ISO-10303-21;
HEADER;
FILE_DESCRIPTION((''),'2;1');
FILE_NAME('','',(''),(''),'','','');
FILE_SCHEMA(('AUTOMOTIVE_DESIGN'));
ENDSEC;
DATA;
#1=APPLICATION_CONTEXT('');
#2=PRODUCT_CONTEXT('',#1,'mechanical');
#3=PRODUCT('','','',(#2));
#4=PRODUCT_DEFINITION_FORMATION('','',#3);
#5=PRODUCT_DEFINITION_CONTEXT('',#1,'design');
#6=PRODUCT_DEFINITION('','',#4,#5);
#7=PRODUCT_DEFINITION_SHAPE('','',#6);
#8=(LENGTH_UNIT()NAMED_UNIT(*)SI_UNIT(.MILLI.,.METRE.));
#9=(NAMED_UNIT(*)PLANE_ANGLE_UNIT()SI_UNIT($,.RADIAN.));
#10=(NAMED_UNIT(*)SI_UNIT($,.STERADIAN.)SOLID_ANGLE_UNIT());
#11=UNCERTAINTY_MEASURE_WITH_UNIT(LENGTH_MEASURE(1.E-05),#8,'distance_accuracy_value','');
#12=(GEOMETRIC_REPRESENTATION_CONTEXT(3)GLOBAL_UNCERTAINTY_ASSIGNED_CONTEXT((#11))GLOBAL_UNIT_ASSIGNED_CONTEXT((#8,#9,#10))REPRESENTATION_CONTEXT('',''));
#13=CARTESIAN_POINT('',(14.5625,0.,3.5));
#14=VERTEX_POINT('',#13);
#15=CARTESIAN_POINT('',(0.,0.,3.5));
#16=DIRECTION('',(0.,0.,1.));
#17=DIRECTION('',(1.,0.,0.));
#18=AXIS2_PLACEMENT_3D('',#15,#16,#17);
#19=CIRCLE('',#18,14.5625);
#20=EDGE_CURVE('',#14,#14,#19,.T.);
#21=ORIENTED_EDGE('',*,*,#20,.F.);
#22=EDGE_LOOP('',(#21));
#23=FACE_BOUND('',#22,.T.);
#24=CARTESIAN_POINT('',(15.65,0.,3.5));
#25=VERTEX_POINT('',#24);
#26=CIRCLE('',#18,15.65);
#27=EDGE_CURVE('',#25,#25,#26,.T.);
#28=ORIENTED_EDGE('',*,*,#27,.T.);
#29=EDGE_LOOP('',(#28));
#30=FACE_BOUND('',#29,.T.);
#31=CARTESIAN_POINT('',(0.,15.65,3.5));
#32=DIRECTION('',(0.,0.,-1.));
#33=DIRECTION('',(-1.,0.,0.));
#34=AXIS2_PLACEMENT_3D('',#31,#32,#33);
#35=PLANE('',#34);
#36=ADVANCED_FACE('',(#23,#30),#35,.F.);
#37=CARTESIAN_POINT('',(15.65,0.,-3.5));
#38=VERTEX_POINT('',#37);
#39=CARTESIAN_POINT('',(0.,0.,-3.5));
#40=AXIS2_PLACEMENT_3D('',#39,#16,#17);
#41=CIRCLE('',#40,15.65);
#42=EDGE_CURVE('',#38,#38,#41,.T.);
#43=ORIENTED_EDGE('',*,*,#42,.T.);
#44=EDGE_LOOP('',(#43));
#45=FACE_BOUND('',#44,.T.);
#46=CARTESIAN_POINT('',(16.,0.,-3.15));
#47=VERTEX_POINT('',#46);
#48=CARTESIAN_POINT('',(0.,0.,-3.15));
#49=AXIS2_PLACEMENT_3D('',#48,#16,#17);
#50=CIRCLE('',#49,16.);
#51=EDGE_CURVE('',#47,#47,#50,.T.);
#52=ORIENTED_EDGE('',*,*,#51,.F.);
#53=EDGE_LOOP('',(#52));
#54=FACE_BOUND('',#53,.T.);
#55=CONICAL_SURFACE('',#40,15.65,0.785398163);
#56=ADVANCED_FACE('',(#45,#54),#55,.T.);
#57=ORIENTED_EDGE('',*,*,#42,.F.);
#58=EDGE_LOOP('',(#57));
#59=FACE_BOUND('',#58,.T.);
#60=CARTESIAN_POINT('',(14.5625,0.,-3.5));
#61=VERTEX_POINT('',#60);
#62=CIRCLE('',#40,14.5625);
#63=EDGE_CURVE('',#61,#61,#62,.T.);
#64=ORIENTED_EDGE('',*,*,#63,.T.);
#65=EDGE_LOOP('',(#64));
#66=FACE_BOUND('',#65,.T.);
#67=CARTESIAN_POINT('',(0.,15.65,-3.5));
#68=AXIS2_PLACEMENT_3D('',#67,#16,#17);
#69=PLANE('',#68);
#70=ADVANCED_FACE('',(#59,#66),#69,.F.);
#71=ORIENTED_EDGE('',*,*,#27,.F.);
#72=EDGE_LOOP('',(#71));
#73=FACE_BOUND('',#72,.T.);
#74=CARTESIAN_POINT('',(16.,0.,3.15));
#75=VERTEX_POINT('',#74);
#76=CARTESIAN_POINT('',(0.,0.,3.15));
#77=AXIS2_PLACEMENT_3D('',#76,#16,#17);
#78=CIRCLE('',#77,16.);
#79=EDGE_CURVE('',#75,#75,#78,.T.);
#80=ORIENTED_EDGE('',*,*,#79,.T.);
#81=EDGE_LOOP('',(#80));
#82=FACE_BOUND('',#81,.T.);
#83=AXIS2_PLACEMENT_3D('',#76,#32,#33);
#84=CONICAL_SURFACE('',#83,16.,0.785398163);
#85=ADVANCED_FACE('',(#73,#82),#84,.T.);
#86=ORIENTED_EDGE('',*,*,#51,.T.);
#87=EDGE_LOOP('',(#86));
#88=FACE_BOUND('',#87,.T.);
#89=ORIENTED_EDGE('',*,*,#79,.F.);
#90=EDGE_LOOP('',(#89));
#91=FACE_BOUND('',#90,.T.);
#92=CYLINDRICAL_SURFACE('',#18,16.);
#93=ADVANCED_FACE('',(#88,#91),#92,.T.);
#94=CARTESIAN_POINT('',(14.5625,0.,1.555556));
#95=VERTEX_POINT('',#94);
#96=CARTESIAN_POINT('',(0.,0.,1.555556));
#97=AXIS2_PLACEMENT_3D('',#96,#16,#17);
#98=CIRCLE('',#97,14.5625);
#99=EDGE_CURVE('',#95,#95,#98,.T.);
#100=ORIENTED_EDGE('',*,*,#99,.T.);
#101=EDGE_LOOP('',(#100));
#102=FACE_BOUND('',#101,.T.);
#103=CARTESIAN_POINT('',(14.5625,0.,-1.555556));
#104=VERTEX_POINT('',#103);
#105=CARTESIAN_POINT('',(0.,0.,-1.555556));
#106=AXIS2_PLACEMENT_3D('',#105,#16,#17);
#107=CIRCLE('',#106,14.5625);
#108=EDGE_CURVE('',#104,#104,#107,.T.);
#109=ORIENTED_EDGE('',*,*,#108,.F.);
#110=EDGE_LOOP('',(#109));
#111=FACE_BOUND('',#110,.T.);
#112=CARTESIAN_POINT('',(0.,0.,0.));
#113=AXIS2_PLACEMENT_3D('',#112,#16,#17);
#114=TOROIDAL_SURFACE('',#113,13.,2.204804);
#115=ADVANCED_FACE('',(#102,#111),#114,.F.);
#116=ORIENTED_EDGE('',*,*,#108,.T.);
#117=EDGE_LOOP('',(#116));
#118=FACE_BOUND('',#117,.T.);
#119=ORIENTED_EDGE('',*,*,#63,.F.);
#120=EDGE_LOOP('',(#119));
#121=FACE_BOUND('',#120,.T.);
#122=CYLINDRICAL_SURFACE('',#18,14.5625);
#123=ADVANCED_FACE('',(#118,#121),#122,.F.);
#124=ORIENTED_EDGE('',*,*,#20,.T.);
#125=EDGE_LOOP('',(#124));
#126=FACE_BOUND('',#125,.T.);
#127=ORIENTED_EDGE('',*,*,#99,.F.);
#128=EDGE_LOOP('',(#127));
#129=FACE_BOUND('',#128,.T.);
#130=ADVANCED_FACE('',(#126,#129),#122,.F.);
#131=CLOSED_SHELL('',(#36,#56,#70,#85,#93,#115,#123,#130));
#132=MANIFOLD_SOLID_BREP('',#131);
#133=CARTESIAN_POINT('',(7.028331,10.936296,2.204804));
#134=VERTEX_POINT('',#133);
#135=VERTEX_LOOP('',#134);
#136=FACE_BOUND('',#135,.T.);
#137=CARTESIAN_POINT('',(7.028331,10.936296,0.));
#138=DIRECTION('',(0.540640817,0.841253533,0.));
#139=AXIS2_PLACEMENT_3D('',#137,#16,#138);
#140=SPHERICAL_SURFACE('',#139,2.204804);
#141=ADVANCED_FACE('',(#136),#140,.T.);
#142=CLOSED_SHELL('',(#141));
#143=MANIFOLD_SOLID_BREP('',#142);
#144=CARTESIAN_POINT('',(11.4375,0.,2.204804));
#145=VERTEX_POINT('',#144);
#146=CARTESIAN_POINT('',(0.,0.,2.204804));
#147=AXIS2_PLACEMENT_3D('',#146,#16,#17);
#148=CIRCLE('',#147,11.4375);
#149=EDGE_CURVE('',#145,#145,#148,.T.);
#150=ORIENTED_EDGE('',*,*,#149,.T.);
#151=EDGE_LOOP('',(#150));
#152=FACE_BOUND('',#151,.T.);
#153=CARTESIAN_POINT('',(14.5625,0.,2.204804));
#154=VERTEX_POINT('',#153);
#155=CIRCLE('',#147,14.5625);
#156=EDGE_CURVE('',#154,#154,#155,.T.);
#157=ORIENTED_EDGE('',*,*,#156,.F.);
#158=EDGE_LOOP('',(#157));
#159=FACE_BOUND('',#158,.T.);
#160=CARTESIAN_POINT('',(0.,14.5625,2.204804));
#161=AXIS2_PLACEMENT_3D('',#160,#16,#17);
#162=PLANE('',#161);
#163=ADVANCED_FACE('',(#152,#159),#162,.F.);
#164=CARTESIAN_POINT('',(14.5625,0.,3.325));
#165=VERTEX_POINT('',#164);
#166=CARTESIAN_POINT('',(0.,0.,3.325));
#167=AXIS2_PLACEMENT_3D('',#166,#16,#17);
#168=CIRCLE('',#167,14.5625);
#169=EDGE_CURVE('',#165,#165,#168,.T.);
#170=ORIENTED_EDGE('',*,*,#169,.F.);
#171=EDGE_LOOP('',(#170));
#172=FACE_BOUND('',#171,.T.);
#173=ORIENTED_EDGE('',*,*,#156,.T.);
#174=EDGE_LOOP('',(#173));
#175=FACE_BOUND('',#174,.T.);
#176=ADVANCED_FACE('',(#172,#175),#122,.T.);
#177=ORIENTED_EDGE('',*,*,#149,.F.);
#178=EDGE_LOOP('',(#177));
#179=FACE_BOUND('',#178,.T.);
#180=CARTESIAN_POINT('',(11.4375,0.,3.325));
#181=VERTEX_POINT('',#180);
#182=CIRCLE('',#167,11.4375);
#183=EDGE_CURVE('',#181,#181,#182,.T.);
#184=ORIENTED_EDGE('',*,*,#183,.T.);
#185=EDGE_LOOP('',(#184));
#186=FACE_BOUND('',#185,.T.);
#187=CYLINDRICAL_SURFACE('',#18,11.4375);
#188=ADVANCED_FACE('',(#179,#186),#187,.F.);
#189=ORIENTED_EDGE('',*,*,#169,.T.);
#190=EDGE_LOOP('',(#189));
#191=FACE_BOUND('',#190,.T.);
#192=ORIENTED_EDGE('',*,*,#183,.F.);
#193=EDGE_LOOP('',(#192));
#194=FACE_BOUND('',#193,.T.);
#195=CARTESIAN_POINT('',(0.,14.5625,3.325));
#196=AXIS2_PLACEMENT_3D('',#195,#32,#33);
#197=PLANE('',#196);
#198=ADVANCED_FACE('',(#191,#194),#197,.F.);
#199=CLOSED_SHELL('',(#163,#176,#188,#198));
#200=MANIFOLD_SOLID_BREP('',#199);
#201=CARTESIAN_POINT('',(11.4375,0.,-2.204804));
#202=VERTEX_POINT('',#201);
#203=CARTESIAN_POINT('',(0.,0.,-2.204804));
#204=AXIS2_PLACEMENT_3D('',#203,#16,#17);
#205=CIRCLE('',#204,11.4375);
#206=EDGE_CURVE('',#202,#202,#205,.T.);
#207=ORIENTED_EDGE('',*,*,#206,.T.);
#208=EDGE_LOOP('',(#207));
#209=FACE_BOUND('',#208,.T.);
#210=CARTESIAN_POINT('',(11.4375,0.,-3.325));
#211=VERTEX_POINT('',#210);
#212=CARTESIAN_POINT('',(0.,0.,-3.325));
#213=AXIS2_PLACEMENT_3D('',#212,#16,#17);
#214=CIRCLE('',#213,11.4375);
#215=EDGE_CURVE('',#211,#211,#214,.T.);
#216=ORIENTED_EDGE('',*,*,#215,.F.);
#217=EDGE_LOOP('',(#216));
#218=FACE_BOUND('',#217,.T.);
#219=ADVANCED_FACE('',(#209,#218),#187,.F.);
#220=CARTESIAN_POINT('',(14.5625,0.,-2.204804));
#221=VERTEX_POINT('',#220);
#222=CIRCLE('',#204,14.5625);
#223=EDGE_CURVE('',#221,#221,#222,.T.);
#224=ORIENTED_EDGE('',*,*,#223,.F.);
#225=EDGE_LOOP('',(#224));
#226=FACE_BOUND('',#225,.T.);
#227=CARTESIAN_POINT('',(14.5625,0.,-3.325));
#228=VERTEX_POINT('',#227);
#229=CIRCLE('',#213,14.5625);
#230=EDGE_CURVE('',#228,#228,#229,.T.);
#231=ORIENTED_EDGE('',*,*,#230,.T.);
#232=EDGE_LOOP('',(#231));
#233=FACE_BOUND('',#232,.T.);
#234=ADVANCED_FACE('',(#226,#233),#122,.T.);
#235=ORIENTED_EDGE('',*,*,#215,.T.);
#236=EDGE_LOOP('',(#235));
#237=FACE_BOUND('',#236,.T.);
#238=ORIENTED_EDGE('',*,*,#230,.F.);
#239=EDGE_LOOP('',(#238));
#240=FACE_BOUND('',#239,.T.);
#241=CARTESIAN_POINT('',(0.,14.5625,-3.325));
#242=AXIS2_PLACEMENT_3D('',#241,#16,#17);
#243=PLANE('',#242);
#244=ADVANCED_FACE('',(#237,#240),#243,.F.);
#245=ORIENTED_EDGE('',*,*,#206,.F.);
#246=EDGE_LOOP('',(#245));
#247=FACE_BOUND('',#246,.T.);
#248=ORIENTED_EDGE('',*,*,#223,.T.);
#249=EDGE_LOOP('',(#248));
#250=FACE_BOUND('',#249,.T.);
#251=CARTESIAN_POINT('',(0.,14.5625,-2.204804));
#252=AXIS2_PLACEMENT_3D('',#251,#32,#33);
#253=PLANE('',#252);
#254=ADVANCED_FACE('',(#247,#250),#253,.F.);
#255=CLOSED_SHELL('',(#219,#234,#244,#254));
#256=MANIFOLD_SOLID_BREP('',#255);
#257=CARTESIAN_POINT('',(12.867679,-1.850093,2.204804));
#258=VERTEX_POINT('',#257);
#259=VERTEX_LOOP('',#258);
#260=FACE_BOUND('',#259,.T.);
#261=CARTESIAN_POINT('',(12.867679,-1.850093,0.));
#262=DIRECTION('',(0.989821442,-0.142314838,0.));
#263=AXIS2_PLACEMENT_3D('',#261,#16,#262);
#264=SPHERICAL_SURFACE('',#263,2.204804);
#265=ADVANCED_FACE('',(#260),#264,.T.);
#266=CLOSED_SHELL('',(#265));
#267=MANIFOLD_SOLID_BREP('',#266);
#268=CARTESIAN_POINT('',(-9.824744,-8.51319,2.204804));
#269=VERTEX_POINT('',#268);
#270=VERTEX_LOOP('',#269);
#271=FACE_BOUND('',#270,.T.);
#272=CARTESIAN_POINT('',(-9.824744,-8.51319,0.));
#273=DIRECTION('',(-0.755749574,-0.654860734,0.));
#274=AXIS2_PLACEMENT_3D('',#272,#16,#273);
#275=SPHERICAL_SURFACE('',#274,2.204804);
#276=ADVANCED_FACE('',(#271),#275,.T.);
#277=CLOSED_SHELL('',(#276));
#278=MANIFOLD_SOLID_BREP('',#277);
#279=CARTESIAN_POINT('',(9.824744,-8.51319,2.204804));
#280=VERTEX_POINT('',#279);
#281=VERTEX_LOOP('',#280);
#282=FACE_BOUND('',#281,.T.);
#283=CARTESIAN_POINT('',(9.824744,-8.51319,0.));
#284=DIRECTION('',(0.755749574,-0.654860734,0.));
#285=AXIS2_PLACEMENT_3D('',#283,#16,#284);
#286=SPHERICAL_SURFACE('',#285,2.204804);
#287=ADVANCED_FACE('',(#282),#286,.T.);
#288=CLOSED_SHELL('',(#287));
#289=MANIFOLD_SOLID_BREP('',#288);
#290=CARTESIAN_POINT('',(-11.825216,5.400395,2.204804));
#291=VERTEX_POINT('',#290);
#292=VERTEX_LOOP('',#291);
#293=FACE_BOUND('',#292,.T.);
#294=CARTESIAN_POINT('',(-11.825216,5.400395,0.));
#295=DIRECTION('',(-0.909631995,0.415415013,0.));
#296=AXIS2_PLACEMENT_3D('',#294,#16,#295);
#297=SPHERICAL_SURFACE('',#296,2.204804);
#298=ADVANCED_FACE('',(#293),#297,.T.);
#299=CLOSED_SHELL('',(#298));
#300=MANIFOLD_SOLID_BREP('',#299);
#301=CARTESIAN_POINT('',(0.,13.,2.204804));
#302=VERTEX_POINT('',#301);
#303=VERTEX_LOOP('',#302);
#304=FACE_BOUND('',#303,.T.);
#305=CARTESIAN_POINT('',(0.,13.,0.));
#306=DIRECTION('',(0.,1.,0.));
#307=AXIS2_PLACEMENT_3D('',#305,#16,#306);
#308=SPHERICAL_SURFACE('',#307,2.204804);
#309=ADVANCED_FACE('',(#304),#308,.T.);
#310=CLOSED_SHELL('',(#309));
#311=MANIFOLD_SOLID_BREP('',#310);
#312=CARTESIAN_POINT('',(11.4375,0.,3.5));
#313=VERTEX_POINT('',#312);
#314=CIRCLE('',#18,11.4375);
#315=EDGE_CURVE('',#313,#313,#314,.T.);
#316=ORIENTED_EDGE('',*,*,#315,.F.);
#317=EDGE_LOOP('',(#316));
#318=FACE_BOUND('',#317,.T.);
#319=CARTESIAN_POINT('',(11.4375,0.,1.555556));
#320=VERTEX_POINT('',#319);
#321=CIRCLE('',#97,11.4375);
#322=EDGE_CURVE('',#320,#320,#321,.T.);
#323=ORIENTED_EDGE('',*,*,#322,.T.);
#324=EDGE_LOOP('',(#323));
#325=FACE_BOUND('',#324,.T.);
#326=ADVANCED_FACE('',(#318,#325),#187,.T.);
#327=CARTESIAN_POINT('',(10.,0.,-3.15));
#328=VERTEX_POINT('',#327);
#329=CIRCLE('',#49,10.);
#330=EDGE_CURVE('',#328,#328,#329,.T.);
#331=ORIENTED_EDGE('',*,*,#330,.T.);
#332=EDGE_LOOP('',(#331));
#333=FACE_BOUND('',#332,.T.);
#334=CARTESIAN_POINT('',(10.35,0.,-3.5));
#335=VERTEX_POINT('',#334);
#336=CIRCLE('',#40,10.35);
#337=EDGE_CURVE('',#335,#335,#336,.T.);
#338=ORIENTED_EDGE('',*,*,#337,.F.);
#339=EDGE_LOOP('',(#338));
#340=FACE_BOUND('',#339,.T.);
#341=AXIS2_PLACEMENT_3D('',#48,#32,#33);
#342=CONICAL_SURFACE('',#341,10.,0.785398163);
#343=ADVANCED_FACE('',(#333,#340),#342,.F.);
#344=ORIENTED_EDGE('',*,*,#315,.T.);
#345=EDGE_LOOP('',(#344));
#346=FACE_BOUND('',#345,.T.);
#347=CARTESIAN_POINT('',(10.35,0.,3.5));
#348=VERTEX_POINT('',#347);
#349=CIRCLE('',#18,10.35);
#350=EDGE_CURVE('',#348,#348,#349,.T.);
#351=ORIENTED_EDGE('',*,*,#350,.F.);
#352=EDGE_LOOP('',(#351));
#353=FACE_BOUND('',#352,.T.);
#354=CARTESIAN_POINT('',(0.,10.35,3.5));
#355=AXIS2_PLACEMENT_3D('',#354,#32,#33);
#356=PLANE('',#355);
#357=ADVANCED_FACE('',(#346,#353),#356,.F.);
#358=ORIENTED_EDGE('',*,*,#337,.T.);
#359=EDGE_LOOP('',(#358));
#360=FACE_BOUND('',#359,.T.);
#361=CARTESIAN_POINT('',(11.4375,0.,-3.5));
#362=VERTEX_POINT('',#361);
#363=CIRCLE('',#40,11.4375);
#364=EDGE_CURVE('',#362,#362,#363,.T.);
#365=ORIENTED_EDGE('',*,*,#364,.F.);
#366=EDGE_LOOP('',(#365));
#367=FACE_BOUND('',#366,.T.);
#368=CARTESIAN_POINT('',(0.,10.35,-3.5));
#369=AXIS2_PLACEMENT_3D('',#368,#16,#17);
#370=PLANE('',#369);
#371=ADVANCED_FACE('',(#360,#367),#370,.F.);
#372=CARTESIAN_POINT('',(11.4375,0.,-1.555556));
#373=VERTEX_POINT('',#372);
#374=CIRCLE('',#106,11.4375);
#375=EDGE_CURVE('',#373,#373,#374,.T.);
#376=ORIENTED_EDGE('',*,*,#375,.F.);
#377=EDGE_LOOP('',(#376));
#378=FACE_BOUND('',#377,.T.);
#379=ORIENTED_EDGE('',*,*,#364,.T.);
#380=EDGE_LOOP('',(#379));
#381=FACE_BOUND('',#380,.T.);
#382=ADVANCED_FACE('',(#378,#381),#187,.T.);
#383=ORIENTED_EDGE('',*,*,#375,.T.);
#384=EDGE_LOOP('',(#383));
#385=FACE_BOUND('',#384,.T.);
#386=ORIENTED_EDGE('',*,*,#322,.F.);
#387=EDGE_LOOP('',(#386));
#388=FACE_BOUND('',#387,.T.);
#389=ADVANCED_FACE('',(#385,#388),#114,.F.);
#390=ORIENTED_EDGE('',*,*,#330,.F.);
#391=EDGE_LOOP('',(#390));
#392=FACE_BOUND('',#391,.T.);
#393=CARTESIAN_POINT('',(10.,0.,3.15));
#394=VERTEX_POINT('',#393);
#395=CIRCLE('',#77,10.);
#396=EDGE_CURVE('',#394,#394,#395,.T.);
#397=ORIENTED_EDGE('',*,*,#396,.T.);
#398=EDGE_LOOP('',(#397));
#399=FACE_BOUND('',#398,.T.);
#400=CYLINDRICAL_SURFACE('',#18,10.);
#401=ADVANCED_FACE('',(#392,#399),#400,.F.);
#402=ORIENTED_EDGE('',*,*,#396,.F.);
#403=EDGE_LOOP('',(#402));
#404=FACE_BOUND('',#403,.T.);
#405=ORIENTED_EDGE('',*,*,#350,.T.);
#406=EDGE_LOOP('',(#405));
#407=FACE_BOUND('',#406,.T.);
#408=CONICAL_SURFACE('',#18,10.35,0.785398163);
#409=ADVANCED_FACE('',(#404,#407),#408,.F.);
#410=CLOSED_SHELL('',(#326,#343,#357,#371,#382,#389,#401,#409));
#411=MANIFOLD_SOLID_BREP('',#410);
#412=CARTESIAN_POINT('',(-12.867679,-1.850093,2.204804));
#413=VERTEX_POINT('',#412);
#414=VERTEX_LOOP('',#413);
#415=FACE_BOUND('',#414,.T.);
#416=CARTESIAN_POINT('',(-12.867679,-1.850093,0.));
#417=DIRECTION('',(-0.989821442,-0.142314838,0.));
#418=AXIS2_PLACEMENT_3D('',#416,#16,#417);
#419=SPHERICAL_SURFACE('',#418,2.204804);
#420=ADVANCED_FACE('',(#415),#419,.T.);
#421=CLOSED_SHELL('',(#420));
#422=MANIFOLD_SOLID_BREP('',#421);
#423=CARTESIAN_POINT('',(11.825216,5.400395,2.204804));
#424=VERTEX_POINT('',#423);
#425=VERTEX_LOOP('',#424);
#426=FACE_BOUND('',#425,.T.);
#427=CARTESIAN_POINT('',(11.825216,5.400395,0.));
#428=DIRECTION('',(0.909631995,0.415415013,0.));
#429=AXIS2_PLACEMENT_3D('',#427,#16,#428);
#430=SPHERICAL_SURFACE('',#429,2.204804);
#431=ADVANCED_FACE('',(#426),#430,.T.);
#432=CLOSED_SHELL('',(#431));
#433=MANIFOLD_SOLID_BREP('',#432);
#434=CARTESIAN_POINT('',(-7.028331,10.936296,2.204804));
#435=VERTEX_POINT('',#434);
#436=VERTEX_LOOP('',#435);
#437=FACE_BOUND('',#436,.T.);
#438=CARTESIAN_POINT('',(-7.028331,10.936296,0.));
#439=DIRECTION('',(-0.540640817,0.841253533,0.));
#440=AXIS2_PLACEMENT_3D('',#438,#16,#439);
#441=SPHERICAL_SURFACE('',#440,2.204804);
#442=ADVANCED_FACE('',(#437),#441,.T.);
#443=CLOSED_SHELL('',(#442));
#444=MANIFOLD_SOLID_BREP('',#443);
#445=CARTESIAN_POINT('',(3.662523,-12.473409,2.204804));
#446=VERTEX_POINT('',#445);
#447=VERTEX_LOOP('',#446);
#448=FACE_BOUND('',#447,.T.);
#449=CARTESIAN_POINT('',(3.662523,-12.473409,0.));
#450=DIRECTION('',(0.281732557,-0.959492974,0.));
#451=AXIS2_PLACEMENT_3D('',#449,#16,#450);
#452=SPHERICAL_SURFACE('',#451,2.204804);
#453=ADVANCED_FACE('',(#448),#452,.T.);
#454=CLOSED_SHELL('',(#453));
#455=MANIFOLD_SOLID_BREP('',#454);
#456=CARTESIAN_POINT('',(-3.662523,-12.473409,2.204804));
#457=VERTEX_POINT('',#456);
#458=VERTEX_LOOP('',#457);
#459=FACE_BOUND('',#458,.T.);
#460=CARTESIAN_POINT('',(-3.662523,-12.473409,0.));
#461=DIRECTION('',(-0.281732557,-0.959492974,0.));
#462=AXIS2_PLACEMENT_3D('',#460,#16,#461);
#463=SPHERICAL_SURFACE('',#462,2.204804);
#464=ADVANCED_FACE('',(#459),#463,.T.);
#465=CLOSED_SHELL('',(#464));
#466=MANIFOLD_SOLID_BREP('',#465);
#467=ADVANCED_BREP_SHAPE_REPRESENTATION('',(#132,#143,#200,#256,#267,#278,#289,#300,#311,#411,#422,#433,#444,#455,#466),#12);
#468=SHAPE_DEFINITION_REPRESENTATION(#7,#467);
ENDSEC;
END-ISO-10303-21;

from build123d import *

# Parameters (mm, degrees)
CIRPATTERN1_COUNT = 11
SKETCH5_W         = 1.120196304
SKETCH5_H         = 3.125


with BuildPart() as part:
    # Sketch3 → Revolve1 (revolve)
    with BuildSketch(Plane(origin=(0, 0, 0), x_dir=(0, 0, -1), z_dir=(1, 0, 0)), mode=Mode.PRIVATE) as revolve1_sk:
        with BuildLine():
            Line((-3.5, 15.65), (-3.5, 14.5625))
            Line((-3.5, 14.5625), (-1.555555556, 14.5625))
            ThreePointArc((-1.555555556, 14.5625), (0, 15.204803696), (1.555555556, 14.5625))
            Line((1.555555556, 14.5625), (3.5, 14.5625))
            Line((3.5, 14.5625), (3.5, 15.65))
            Line((3.5, 15.65), (3.15, 16))
            Line((3.15, 16), (-3.15, 16))
            Line((-3.15, 16), (-3.5, 15.65))
        make_face()
        with BuildLine():
            Line((-3.5, 10.35), (-3.5, 11.4375))
            Line((-3.5, 11.4375), (-1.555555556, 11.4375))
            ThreePointArc((-1.555555556, 11.4375), (0, 10.795196304), (1.555555556, 11.4375))
            Line((1.555555556, 11.4375), (3.5, 11.4375))
            Line((3.5, 11.4375), (3.5, 10.35))
            Line((3.5, 10.35), (3.15, 10))
            Line((3.15, 10), (-3.15, 10))
            Line((-3.15, 10), (-3.5, 10.35))
        make_face()
    revolve(revolve1_sk.sketch.rotate(Axis((0, 0, 3.5), (0, 0, -1)), 90), axis=Axis((0, 0, 3.5), (0, 0, -1)))


with BuildPart() as body_2:
    # Sketch4 → Revolve2 (revolve)
    with BuildSketch(Plane(origin=(0, 0, 0), x_dir=(0, 0, -1), z_dir=(1, 0, 0))):
        with BuildLine():
            Line((-2.204803696, 13), (2.204803696, 13))
            ThreePointArc((2.204803696, 13), (0, 15.204803696), (-2.204803696, 13))
        make_face()
    revolve(axis=Axis((0, 13, 2.204803696), (0, 0, -1)))


with BuildPart() as cirpattern1_1:
    # CirPattern1: pattern copy
    add(body_2.part.rotate(Axis((0, 0, 0), (0, 0, 1)), 1 * 360 / CIRPATTERN1_COUNT))


with BuildPart() as cirpattern1_2:
    # CirPattern1: pattern copy
    add(body_2.part.rotate(Axis((0, 0, 0), (0, 0, 1)), 2 * 360 / CIRPATTERN1_COUNT))


with BuildPart() as cirpattern1_3:
    # CirPattern1: pattern copy
    add(body_2.part.rotate(Axis((0, 0, 0), (0, 0, 1)), 3 * 360 / CIRPATTERN1_COUNT))


with BuildPart() as cirpattern1_4:
    # CirPattern1: pattern copy
    add(body_2.part.rotate(Axis((0, 0, 0), (0, 0, 1)), 4 * 360 / CIRPATTERN1_COUNT))


with BuildPart() as cirpattern1_5:
    # CirPattern1: pattern copy
    add(body_2.part.rotate(Axis((0, 0, 0), (0, 0, 1)), 5 * 360 / CIRPATTERN1_COUNT))


with BuildPart() as cirpattern1_6:
    # CirPattern1: pattern copy
    add(body_2.part.rotate(Axis((0, 0, 0), (0, 0, 1)), 6 * 360 / CIRPATTERN1_COUNT))


with BuildPart() as cirpattern1_7:
    # CirPattern1: pattern copy
    add(body_2.part.rotate(Axis((0, 0, 0), (0, 0, 1)), 7 * 360 / CIRPATTERN1_COUNT))


with BuildPart() as cirpattern1_8:
    # CirPattern1: pattern copy
    add(body_2.part.rotate(Axis((0, 0, 0), (0, 0, 1)), 8 * 360 / CIRPATTERN1_COUNT))


with BuildPart() as cirpattern1_9:
    # CirPattern1: pattern copy
    add(body_2.part.rotate(Axis((0, 0, 0), (0, 0, 1)), 9 * 360 / CIRPATTERN1_COUNT))


with BuildPart() as cirpattern1_10:
    # CirPattern1: pattern copy
    add(body_2.part.rotate(Axis((0, 0, 0), (0, 0, 1)), 10 * 360 / CIRPATTERN1_COUNT))


with BuildPart() as body_13:
    # Sketch5 → Revolve3 (revolve)
    with BuildSketch(Plane(origin=(0, 0, 0), x_dir=(0, 0, -1), z_dir=(1, 0, 0)), mode=Mode.PRIVATE) as revolve3_sk:
        with Locations((-2.764901848, 13)):
            Rectangle(SKETCH5_W, SKETCH5_H)
        with Locations((2.764901848, 13)):
            Rectangle(SKETCH5_W, SKETCH5_H)
    revolve(revolve3_sk.sketch.rotate(Axis((0, 0, 3.5), (0, 0, -1)), 90), axis=Axis((0, 0, 3.5), (0, 0, -1)))


solid = Compound([part.part, body_2.part, cirpattern1_1.part, cirpattern1_2.part, cirpattern1_3.part, cirpattern1_4.part, cirpattern1_5.part, cirpattern1_6.part, cirpattern1_7.part, cirpattern1_8.part, cirpattern1_9.part, cirpattern1_10.part, body_13.part])
